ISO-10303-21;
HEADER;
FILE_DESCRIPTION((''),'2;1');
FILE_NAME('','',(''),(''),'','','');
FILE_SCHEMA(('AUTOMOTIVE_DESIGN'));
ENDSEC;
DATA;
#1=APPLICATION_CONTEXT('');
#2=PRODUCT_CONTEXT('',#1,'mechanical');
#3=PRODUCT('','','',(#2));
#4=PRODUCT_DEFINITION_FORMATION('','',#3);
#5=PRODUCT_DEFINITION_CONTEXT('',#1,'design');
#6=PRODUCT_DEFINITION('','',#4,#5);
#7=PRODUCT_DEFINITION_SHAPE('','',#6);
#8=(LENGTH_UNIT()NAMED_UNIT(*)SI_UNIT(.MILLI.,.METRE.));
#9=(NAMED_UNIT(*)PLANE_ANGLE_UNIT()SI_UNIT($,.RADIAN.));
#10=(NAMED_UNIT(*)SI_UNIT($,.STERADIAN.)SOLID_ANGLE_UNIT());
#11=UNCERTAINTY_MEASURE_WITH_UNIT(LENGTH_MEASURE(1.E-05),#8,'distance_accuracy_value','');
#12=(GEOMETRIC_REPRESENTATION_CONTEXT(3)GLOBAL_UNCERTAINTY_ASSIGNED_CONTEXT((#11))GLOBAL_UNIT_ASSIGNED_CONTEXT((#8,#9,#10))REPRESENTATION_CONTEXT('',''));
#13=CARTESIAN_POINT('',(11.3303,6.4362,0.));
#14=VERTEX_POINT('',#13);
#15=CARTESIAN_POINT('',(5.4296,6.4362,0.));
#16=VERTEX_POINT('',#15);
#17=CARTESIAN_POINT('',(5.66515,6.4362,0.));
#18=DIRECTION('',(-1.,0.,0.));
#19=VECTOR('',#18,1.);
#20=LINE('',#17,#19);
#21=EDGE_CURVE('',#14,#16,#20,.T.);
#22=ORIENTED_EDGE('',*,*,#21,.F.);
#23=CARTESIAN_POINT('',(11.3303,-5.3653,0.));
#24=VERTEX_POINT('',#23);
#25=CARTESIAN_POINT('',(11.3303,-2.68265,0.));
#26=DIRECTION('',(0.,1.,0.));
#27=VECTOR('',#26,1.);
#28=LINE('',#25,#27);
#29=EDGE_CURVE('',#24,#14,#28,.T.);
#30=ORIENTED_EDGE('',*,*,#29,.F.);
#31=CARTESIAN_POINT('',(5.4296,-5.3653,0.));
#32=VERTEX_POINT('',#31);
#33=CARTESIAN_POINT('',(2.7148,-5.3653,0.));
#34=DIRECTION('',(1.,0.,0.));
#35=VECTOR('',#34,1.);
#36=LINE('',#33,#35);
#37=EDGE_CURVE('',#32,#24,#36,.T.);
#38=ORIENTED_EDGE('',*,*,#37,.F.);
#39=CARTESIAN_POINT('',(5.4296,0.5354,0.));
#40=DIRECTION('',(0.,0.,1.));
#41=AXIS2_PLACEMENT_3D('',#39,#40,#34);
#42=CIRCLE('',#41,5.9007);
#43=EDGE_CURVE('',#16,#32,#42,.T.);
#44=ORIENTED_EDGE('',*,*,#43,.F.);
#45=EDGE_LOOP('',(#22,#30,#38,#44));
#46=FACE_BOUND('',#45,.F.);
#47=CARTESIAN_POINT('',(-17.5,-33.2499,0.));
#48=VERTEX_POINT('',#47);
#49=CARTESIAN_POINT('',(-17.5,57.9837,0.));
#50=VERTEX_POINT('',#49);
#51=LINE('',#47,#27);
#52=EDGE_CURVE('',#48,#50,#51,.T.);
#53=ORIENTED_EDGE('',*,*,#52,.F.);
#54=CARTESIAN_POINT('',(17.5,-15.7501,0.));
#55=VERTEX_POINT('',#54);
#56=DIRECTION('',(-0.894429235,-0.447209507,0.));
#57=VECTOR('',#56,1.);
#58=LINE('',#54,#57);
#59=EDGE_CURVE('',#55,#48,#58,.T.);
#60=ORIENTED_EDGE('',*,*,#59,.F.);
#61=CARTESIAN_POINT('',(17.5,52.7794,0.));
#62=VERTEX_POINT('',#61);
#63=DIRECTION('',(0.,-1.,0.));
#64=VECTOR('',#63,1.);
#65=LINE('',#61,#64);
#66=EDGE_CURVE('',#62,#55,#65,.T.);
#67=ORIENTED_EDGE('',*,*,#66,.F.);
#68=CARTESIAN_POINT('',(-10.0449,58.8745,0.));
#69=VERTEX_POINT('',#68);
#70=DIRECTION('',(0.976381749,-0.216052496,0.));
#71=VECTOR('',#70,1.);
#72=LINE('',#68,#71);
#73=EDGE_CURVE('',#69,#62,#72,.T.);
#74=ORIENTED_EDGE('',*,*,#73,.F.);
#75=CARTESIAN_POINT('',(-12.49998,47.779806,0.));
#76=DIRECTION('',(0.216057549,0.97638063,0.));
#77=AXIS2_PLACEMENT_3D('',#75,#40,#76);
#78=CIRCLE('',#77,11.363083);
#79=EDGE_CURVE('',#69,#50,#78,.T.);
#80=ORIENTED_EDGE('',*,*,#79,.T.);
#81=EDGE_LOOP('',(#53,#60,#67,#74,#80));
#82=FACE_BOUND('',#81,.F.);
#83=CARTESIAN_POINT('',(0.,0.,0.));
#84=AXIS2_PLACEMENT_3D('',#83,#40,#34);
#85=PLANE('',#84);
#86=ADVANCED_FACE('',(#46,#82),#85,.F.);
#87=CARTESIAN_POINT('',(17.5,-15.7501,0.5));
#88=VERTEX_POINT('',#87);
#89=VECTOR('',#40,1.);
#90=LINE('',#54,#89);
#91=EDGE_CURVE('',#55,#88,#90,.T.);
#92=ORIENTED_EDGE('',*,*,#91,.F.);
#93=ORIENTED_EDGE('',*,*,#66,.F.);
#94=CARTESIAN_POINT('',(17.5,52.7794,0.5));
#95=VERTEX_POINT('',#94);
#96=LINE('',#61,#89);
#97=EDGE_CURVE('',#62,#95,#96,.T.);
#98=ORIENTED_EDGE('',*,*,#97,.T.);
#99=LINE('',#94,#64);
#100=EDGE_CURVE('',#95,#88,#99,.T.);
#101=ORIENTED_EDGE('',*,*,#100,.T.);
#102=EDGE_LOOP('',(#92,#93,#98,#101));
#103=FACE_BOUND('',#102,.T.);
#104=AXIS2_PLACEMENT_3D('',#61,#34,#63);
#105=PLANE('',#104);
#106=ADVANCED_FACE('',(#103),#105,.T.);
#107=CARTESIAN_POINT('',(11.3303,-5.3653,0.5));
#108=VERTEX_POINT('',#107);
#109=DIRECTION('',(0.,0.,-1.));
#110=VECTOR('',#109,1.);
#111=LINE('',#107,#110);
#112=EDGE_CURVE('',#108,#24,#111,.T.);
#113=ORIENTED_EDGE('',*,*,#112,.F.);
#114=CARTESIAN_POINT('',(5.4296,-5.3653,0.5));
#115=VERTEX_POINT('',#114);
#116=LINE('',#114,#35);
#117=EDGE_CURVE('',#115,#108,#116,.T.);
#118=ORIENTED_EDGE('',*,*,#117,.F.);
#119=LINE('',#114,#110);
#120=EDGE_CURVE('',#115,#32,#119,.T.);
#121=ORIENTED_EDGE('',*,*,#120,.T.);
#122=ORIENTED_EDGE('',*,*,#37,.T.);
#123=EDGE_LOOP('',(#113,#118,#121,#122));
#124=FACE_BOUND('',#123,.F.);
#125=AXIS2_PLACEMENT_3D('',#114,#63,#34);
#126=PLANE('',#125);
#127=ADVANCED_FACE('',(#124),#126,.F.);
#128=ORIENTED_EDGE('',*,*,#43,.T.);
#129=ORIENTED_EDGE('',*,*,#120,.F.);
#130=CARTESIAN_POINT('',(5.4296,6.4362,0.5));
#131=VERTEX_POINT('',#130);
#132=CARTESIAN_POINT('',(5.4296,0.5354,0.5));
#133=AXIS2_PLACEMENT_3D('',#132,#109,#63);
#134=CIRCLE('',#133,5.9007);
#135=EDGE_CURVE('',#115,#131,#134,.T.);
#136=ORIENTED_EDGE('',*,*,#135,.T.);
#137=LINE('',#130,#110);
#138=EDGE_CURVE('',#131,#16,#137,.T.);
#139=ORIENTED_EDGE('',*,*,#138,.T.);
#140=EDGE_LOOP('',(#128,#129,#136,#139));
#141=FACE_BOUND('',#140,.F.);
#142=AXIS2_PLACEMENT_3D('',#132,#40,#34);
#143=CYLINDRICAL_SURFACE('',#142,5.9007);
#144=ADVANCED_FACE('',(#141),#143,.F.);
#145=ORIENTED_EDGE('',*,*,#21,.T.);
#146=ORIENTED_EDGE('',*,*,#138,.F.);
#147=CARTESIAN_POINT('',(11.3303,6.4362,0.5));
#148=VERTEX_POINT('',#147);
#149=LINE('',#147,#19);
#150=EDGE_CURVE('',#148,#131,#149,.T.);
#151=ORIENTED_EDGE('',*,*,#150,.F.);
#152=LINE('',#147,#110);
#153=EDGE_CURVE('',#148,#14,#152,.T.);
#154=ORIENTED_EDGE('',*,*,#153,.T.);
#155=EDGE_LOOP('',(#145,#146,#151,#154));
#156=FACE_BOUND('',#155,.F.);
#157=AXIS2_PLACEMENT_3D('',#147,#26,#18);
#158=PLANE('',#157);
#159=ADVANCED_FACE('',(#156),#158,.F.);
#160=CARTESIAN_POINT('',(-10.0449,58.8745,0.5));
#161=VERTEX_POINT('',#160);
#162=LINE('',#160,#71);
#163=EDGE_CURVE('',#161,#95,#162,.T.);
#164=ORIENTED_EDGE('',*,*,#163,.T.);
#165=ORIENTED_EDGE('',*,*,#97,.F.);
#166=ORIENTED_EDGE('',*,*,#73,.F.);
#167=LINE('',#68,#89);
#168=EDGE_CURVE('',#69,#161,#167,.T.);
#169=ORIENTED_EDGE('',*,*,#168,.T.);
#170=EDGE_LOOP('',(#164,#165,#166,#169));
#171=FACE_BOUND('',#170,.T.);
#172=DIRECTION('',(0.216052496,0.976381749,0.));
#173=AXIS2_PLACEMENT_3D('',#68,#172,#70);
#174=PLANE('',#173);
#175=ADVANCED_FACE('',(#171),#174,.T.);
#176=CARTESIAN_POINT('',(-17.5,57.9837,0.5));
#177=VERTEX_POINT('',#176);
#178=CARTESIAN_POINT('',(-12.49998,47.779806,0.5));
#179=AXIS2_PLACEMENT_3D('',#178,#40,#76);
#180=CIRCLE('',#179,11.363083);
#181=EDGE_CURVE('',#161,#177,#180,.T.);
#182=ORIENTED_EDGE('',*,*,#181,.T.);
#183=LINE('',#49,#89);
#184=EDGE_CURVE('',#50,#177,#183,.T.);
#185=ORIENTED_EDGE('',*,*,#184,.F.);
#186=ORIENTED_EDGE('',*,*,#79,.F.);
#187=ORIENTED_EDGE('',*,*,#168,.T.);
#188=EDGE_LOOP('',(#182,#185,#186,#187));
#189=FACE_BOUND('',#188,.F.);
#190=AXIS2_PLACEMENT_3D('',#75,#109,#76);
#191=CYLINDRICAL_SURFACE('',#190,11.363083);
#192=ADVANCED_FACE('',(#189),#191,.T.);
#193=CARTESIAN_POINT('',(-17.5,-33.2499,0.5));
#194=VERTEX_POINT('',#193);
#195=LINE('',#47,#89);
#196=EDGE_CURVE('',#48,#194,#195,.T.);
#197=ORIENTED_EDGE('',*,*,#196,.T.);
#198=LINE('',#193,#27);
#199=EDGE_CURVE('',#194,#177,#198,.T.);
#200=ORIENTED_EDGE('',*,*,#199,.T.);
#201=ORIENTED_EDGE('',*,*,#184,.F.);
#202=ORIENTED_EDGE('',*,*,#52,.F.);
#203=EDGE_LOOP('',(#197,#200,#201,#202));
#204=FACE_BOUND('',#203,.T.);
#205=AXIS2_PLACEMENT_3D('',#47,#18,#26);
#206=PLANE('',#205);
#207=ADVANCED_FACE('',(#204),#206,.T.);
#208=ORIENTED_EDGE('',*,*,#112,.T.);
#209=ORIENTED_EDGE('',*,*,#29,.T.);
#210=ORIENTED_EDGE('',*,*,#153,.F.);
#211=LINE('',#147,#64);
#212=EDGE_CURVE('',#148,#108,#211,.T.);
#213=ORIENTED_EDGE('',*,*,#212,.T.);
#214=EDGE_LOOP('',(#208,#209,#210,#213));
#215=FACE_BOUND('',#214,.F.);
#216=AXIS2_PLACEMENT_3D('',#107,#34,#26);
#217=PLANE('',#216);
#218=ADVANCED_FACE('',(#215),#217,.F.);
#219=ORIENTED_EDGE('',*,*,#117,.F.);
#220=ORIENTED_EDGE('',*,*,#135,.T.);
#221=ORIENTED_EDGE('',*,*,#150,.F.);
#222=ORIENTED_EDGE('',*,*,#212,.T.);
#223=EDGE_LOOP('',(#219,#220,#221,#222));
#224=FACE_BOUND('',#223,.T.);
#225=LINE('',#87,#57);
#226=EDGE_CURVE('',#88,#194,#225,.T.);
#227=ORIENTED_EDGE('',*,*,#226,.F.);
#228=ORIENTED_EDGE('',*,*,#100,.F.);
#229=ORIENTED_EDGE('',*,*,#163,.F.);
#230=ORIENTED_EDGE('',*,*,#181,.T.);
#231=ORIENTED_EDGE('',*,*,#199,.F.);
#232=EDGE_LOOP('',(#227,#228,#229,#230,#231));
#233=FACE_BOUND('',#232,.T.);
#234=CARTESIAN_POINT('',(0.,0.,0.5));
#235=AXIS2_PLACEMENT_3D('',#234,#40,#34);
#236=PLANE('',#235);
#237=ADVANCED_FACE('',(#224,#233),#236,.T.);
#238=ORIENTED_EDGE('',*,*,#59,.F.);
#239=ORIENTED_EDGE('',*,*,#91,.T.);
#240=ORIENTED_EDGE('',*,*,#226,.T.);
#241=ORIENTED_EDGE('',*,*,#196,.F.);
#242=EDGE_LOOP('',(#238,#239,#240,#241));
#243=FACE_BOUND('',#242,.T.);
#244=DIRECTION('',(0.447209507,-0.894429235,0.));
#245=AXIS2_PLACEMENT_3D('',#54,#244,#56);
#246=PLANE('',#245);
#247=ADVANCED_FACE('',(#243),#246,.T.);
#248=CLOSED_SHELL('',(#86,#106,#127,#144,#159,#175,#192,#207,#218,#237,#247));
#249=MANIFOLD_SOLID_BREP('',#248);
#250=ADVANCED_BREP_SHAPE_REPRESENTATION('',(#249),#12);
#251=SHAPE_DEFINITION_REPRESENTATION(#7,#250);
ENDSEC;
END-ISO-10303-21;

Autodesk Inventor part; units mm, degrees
ref_plane "YZ Plane" through (0, 0, 0) normal (1, 0, 0) x (0, 1, 0)
ref_plane "XZ Plane" through (0, 0, 0) normal (0, 1, 0) x (-1, 0, 0)
ref_plane "XY Plane" through (0, 0, 0) normal (0, 0, 1) x (1, 0, 0)
sketch "Sketch1" plane through (0, 0, 0) normal (0, 0, 1) x (1, 0, 0)
  line L0 (-17.5, -33.2499) -> (-17.5, 57.9837) projected
  arc A0 (-10.0449, 58.8745) -> (-17.5, 57.9837) centre (-12.5, 47.7794) ccw projected
  line L1 (-10.0449, 58.8745) -> (17.5, 52.7794) projected
  line L2 (17.5, 52.7794) -> (17.5, -15.7501) projected
  line L3 (17.5, -15.7501) -> (-17.5, -33.2499) projected
  line L4 (0.5, 7.1892) -> (0.5, 22.231) projected
  line L5 (0.5, 22.231) -> (-5.8925, 22.231) projected
  line L6 (-5.8925, 22.231) -> (-5.8925, 7.1892) projected
  line L7 (-5.8925, 7.1892) -> (0.5, 7.1892) projected
  point P0 (0, 0)
extrude "Extrusion1" add sketch "Sketch1" along normal blind 0.5 contours L0 A0 L1 L2 L3 | L7 L6 L5 L4
sketch "Sketch2" plane through (0, 0, 0.5) normal (0, 0, 1) x (1, 0, 0)
  line L0 (-1.5084, -24.1362) -> (-5.5333, -16.0863) projected
  line L1 (-5.5333, -16.0863) -> (-14.5107, -20.575) projected
  line L2 (-14.5107, -20.575) -> (-10.1014, -29.3938) projected
  arc A0 (-17.5, -30.0139) -> (-14.6056, -31.8027) centre (-15.5, -30.0139) ccw projected
  line L3 (-17.5, -30.0139) -> (-17.5, -1.8864) projected
  line L4 (-17.5, -1.8864) -> (-7.5, -1.8864) projected
  line L5 (-7.5, -1.8864) -> (-7.5, 7.5751) projected
  line L6 (-7.5, 7.5751) -> (-8.8, 7.5751) projected
  line L7 (-8.8, 26.3195) -> (-8.8, 7.5751) projected
  spline S0 degree 3 poles (-14.2046, 28.2052) (-13.4118, 28.2052) (-12.6544, 28.0226) (-10.9379, 27.4679) (-9.855, 26.8958) (-8.8077, 26.3237) (-8.8038, 26.3216) (-8.8, 26.3195) knots -0.001308 -0.001308 -0.001308 -0.001308 0.187612 0.187612 0.544343 0.544343 0.545651 0.545651 0.545651 0.545651 projected
  line L8 (-14.2046, 28.2052) -> (-17.5, 28.2052) projected
  line L9 (-17.5, 28.2052) -> (-17.5, 31.9794) projected
  arc A1 (-17.5, 31.9794) -> (-4.376, 33.2499) centre (-12.5, 48.7499) ccw projected
  arc A2 (-4.376, 33.2499) -> (2.7674, 54.4137) centre (-12.5, 47.7794) ccw projected
  arc A3 (3.9006, 55.7887) -> (2.7674, 54.4137) centre (3.6845, 54.8123) ccw projected
  line L10 (3.9006, 55.7887) -> (16.7161, 52.9529) projected
  arc A4 (17.5, 51.9765) -> (16.7161, 52.9529) centre (16.5, 51.9765) ccw projected
  line L11 (-17.5, 57.9837) -> (-17.5, -33.2499) projected
  line L12 (-17.5, -33.2499) -> (17.5, -15.7501) projected
  line L13 (17.5, -15.7501) -> (17.5, 52.7794) projected
  line L14 (17.5, 52.7794) -> (-10.0449, 58.8745) projected
  arc A5 (-10.0449, 58.8745) -> (-17.5, 57.9837) centre (-12.5, 47.7794) ccw projected
  line L15 (5.1606, 7.0459) -> (-1.321, 3.6769)
  line L16 (4.7678, -6.2957) -> (11.3303, -6.2957)
  line L17 (11.3303, -6.2957) -> (11.3303, 7.0459)
  circle A6 centre (5.4296, 0.5354) radius 5.9007
  line L18 (5.4296, 0.5354) -> (11.3303, 0.5354)
  line L19 (11.3303, 0.5354) -> (11.3303, 6.4362)
  line L20 (11.3303, 6.4362) -> (5.4296, 6.4362)
  line L21 (5.4296, 6.4362) -> (5.4296, 0.5354)
  line L22 (11.3303, 0.5354) -> (5.4296, 0.5354)
  line L23 (5.4296, 0.5354) -> (5.4296, -5.3653)
  line L24 (5.4296, -5.3653) -> (11.3303, -5.3653)
  line L25 (11.3303, -5.3653) -> (11.3303, 0.5354)
  line L26 (17.5, 51.9765) -> (17.5, -14.6321) projected
  line L27 (17.5, -14.6321) -> (-1.4167, -24.7491) projected
  arc A7 (-1.4167, -24.7491) -> (-1.5084, -24.1362) centre (-2.4029, -24.5834) ccw projected
  line L28 (-10.1014, -29.3938) -> (-14.6056, -31.8027) projected
  point P0 (0, 0)
  point P1 (17.5, 7.0459)
  point P2 (17.5, -15.0638)
extrude "Extrusion2" cut sketch "Sketch2" against normal blind 10 contours L24 A6 L17 | A6 L20 L17 | L18 L21 A6 | A6 L23 L18 | A6 L21 L23
properties part number "pokrywa prawa" material "Aluminum 6061"
